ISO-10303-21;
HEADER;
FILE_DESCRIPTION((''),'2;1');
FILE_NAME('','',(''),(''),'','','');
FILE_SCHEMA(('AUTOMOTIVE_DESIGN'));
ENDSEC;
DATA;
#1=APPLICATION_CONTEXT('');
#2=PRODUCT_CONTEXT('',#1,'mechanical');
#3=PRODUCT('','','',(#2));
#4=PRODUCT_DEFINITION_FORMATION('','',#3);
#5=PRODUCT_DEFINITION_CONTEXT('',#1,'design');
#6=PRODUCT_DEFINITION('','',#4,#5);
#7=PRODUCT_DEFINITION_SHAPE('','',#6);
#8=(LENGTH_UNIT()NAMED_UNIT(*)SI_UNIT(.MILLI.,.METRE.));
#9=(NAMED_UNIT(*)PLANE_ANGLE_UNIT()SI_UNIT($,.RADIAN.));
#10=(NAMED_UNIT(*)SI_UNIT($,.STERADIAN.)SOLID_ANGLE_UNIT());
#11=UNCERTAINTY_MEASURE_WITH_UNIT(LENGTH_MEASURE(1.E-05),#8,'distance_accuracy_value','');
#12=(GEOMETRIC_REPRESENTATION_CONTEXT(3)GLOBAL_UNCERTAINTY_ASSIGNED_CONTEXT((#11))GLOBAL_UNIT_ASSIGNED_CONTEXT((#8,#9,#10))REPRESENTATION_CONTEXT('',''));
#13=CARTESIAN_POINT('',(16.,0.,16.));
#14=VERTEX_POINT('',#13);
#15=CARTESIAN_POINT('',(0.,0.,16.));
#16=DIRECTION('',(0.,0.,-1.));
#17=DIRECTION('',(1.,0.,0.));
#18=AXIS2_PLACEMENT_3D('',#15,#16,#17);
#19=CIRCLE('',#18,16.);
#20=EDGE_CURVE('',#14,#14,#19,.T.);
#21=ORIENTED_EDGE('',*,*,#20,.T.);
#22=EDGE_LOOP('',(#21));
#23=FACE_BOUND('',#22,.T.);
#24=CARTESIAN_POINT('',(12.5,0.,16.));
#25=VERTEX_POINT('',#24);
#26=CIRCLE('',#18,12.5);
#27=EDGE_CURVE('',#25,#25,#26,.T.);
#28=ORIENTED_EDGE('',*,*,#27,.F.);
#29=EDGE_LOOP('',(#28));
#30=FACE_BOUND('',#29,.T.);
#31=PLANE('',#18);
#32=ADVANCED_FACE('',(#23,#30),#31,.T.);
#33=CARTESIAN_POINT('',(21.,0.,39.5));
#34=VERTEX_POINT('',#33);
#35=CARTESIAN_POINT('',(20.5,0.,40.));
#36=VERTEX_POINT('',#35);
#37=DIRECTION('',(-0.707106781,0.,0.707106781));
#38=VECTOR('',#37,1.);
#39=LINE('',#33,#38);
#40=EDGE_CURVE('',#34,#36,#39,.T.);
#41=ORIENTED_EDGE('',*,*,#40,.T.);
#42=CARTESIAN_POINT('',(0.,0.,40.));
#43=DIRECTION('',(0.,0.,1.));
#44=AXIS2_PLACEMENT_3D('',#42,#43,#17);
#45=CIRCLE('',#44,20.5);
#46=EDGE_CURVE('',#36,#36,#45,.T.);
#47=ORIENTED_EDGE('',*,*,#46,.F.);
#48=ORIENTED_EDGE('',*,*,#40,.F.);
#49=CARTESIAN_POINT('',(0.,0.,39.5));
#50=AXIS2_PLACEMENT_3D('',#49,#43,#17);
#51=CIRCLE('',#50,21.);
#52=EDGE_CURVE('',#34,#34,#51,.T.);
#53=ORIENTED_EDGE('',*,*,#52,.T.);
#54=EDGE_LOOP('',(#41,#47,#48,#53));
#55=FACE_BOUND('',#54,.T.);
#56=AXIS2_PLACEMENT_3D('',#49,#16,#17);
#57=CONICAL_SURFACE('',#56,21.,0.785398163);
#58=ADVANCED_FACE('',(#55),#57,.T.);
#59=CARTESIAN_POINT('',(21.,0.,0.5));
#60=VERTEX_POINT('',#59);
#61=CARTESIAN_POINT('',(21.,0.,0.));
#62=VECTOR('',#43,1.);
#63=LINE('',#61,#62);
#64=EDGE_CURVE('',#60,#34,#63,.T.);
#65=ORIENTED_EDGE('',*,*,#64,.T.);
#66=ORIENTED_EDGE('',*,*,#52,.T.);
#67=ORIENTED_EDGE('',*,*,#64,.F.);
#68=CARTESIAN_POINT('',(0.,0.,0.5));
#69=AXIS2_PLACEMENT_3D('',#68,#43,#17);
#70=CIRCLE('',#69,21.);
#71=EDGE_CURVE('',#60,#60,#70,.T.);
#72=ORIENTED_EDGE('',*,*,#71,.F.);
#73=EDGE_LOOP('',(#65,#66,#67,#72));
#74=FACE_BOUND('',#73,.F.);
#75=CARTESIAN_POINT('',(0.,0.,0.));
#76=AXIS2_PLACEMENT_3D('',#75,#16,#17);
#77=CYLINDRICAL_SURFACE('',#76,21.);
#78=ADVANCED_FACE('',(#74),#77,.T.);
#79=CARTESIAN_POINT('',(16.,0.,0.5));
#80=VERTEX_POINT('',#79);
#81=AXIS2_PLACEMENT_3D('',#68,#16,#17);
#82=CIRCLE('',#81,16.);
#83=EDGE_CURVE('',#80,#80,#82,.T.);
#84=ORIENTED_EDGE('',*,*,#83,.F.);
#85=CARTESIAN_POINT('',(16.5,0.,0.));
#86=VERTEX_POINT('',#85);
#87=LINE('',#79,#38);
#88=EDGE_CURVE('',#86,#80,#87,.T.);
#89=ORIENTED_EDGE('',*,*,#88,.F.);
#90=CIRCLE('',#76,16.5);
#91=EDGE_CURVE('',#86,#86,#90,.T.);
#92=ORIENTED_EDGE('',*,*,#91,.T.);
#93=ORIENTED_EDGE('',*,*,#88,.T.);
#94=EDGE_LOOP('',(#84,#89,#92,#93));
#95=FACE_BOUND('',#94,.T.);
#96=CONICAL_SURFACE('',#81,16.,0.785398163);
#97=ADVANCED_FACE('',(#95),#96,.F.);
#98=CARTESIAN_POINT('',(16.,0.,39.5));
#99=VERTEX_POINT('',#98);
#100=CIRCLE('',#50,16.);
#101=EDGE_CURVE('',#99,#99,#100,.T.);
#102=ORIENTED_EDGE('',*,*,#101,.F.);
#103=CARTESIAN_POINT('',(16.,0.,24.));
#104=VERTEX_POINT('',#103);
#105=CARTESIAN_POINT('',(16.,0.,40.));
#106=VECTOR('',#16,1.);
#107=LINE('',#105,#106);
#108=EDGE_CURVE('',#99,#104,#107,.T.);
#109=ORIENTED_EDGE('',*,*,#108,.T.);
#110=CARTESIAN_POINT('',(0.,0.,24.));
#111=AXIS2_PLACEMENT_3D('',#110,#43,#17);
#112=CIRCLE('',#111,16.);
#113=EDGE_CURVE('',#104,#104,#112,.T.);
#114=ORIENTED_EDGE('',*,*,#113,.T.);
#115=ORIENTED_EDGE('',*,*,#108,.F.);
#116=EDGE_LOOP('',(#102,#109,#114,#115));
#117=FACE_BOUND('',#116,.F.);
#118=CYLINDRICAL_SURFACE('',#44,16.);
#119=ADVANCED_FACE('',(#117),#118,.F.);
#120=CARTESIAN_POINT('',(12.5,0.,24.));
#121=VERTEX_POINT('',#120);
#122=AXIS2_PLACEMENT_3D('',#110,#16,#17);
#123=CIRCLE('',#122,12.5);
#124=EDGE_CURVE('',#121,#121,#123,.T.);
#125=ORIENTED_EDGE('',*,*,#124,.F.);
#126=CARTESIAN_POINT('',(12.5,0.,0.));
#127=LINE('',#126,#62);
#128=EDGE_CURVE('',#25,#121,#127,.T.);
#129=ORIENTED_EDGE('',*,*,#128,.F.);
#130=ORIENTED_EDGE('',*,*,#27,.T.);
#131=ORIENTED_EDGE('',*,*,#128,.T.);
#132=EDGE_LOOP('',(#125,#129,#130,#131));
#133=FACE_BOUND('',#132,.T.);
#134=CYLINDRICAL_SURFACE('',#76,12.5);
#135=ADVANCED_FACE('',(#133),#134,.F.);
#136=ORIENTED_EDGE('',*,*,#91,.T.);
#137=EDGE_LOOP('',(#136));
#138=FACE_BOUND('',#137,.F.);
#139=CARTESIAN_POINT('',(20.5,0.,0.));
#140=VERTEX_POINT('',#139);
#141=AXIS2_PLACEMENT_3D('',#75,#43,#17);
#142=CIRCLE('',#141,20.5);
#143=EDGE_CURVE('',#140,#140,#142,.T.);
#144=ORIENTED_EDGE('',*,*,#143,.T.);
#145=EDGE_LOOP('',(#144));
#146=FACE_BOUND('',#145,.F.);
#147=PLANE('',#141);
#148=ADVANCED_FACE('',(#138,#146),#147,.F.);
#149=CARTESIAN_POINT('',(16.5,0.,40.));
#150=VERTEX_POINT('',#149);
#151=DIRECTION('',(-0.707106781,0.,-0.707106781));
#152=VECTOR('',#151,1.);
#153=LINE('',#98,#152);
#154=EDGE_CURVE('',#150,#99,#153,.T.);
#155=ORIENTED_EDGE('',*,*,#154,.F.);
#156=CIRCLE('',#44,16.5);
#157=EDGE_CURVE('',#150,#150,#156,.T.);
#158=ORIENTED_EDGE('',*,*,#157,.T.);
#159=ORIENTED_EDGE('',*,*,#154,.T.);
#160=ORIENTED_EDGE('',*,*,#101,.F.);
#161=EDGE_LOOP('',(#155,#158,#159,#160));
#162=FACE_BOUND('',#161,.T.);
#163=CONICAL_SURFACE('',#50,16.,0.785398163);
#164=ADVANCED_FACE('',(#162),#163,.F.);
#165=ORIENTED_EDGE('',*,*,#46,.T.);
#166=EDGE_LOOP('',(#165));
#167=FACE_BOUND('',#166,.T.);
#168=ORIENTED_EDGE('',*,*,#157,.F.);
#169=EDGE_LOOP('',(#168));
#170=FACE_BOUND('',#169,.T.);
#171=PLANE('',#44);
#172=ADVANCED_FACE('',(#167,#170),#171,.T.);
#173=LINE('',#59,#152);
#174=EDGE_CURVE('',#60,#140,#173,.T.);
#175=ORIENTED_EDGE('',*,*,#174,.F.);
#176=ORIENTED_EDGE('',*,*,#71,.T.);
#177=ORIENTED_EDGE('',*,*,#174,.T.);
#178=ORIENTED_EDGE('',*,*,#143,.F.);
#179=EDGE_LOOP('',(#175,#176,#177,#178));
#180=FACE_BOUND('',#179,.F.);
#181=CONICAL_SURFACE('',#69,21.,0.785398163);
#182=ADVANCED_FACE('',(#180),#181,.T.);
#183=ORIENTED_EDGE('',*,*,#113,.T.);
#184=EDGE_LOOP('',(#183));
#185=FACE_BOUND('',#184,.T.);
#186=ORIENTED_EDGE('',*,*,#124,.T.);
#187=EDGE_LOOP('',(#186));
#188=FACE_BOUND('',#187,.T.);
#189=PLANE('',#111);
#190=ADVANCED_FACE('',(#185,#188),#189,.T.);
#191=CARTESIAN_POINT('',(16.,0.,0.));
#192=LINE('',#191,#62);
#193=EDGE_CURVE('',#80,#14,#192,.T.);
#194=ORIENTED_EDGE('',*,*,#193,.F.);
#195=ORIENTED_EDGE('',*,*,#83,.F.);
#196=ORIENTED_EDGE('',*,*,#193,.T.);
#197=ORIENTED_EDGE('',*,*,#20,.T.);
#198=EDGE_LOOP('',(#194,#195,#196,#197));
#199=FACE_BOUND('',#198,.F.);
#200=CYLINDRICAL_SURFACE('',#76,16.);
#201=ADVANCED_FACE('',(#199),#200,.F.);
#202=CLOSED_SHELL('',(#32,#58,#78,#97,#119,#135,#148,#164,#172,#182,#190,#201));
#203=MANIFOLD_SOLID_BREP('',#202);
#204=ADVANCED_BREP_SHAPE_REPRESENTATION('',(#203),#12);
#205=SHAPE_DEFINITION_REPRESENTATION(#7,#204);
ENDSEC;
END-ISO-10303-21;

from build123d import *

# Parameters (mm, degrees)
F0_R     = 21
F0_R_2   = 12.5
F1_DEPTH = 40
F2_R     = 16
F3_DEPTH = 16
F4_R     = 16
F4_R_2   = 12.5
F5_DEPTH = 16
F6_SIZE  = 0.5


with BuildPart() as f1:
    # F0 (on Top) → F1 (new body)
    with BuildSketch(Plane.XY):
        Circle(F0_R)
        Circle(F0_R_2, mode=Mode.SUBTRACT)
    extrude(amount=F1_DEPTH)

    # F2 (on face) → F3 (cut)
    with BuildSketch(Plane.XY.offset(40)):
        Circle(F2_R)
    extrude(amount=-F3_DEPTH, mode=Mode.SUBTRACT)

    # F4 (on face) → F5 (cut)
    with BuildSketch(Plane(origin=(0, 0, 0), x_dir=(1, 0, 0), z_dir=(0, 0, -1))):
        Circle(F4_R)
        Circle(F4_R_2, mode=Mode.SUBTRACT)
    extrude(amount=-F5_DEPTH, mode=Mode.SUBTRACT)

    # F6
    f6_edges = [f1.edges().sort_by_distance(p)[0] for p in [
        (-21, 0, 0),
        (-16, 0, 0),
        (-21, 0, 40),
        (-16, 0, 40),
    ]]
    chamfer(f6_edges, length=F6_SIZE)


solid = f1.part
